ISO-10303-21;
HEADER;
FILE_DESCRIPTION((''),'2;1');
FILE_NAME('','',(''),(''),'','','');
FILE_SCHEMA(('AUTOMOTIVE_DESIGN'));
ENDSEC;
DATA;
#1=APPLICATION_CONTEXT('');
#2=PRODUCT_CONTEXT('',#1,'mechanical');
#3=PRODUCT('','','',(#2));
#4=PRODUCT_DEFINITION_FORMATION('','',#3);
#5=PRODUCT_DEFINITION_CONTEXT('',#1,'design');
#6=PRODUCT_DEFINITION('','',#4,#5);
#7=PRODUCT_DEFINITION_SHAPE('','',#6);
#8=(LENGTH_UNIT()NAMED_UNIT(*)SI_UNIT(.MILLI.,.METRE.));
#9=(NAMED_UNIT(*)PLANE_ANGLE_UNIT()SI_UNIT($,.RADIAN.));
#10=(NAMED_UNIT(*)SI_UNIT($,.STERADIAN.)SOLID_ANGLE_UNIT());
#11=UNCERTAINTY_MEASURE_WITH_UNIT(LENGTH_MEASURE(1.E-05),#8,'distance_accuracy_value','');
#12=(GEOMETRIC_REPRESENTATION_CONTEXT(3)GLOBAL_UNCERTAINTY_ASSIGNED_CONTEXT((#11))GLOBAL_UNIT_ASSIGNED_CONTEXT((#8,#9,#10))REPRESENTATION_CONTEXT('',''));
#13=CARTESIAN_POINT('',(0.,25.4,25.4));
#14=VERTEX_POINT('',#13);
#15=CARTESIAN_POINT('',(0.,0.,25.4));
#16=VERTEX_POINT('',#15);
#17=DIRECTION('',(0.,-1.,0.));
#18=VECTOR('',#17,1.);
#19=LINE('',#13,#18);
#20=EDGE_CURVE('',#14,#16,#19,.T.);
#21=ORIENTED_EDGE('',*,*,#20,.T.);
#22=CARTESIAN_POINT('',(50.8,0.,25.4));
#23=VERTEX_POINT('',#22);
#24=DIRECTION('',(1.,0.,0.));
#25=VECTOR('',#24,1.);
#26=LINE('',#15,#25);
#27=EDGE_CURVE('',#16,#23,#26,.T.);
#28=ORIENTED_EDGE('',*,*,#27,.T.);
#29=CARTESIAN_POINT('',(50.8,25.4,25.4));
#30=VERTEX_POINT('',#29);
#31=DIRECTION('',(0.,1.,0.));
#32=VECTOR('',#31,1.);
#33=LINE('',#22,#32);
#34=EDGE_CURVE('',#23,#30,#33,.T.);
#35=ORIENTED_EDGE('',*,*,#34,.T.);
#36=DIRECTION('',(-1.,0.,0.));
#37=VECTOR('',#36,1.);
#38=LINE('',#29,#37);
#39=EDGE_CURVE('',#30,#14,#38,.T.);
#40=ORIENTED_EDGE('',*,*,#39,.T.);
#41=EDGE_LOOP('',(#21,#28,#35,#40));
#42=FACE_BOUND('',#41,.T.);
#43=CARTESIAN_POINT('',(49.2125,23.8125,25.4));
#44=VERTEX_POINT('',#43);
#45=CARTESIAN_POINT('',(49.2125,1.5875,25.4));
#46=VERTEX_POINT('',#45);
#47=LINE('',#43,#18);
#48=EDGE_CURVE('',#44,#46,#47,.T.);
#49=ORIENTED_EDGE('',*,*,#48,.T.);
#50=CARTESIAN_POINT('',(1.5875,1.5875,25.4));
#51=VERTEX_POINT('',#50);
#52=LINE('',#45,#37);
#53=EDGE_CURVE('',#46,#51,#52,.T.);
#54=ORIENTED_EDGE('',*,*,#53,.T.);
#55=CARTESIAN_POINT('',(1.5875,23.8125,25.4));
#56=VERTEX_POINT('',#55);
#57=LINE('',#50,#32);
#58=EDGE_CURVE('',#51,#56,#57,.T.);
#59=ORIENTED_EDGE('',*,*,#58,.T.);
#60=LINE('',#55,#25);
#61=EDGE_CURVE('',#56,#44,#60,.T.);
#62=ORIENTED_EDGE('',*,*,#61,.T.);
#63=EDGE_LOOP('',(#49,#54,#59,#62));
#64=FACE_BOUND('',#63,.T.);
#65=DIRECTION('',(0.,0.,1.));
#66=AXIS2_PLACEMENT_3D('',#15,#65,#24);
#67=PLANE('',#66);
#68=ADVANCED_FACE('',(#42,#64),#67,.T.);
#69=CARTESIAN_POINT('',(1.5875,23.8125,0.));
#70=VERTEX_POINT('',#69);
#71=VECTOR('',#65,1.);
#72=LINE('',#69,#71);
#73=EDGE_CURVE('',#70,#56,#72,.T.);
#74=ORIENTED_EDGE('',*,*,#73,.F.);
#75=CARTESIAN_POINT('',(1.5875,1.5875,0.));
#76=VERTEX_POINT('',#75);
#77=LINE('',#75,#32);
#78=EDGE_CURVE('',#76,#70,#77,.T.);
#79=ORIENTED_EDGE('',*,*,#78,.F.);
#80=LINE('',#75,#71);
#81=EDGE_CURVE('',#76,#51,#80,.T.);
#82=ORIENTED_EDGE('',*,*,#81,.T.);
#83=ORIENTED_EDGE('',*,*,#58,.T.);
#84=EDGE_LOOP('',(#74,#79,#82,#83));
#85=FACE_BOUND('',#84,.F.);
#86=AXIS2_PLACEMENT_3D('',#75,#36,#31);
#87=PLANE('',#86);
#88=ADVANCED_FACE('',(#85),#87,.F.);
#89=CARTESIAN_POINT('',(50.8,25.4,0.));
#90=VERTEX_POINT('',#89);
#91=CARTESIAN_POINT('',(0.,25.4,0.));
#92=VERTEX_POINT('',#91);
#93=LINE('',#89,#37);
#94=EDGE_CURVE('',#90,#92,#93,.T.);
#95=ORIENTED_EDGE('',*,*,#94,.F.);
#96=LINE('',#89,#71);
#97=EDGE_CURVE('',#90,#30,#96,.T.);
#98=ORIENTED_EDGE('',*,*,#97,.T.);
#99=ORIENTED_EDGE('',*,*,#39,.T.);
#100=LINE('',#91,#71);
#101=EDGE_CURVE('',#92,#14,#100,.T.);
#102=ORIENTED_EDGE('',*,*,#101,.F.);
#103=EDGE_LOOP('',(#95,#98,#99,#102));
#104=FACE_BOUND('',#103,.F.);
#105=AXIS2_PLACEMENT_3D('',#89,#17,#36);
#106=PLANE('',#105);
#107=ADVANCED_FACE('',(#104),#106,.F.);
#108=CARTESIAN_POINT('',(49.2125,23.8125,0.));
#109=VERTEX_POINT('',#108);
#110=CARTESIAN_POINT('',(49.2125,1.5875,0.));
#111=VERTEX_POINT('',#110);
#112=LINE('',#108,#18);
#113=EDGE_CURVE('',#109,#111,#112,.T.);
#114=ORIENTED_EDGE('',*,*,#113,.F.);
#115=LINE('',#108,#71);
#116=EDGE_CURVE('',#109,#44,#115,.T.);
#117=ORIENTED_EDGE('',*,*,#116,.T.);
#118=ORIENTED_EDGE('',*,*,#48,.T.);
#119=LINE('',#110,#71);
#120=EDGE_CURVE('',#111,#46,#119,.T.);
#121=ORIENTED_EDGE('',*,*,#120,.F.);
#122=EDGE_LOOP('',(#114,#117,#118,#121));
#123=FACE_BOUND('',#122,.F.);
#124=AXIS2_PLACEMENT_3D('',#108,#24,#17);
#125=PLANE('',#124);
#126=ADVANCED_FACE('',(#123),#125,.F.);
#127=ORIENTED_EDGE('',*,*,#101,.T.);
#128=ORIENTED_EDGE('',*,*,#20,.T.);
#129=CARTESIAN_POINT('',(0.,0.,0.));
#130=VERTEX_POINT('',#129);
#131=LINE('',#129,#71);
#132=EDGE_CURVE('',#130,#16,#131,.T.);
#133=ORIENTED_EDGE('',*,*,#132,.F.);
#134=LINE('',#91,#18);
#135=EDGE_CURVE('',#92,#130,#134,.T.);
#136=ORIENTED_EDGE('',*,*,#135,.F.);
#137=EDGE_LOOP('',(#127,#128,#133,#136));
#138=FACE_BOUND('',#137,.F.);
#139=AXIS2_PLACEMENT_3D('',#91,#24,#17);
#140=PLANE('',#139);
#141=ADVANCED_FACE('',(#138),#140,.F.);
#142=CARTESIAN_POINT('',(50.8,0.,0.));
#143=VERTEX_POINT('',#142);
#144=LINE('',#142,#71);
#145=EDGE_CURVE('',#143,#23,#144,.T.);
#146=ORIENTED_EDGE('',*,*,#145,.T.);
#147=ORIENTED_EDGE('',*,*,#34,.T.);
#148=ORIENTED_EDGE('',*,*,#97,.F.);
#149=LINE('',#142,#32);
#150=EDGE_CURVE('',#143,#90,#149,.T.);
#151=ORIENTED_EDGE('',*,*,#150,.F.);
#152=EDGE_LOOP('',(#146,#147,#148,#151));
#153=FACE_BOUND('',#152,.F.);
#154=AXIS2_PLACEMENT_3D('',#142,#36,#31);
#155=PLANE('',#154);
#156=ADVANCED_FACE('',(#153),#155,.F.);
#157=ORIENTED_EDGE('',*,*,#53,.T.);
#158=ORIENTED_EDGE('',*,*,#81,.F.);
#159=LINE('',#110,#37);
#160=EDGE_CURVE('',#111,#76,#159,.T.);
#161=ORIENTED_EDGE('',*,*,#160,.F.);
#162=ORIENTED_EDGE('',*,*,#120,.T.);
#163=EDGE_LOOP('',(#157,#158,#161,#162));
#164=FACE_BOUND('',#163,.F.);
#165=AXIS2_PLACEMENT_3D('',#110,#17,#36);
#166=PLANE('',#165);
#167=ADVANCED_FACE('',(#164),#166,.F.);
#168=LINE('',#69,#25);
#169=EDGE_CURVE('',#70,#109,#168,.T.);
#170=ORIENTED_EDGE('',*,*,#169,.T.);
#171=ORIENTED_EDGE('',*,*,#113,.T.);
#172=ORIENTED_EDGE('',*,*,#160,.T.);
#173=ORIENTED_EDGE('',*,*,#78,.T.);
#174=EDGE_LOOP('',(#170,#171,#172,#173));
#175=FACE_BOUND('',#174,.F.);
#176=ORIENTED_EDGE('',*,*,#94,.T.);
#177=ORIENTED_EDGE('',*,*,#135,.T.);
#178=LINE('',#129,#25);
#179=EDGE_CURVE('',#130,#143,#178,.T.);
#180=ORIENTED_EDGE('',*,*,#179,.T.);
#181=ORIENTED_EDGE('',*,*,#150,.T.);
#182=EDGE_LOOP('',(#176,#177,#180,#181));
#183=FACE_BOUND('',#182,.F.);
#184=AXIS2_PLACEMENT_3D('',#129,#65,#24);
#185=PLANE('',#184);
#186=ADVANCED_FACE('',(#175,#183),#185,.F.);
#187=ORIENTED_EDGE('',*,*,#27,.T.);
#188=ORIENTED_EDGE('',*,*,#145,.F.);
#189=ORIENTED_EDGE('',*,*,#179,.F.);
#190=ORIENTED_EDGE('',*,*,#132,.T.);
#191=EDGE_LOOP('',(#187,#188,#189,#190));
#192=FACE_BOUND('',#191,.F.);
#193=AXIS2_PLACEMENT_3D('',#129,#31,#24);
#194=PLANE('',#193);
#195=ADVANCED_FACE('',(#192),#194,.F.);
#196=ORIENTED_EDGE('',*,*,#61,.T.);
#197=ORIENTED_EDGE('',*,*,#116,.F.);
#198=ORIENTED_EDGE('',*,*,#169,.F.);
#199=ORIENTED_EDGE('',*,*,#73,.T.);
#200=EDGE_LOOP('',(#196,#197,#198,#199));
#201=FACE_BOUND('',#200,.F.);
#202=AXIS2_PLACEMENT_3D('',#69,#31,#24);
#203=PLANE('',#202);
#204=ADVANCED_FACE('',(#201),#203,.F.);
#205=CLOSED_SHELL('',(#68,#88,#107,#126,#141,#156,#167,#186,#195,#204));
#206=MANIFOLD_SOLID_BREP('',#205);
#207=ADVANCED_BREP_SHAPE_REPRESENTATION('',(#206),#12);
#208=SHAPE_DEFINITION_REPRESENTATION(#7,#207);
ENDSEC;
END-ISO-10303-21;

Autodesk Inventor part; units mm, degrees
ref_plane "YZ Plane" through (0, 0, 0) normal (1, 0, 0) x (0, 1, 0)
ref_plane "XZ Plane" through (0, 0, 0) normal (0, 1, 0) x (-1, 0, 0)
ref_plane "XY Plane" through (0, 0, 0) normal (0, 0, 1) x (1, 0, 0)
sketch "Sketch1" plane through (0, 0, 0) normal (0, 0, 1) x (1, 0, 0)
  line L0 (0, 0) -> (50.8, 0)
  line L1 (50.8, 0) -> (50.8, 25.4)
  line L2 (50.8, 25.4) -> (0, 25.4)
  line L3 (0, 25.4) -> (0, 0)
  line L4 (1.5875, 23.8125) -> (49.2125, 23.8125)
  line L5 (49.2125, 23.8125) -> (49.2125, 1.5875)
  line L6 (49.2125, 1.5875) -> (1.5875, 1.5875)
  line L7 (1.5875, 1.5875) -> (1.5875, 23.8125)
  dimension "d0" = 25.4
  dimension "d1" = 50.8
  dimension "d2" = 1.5875
extrude "Extrusion1" add sketch "Sketch1" along normal blind 25.4
properties part number "AlluminumSupport-ver1-1111-2019"
